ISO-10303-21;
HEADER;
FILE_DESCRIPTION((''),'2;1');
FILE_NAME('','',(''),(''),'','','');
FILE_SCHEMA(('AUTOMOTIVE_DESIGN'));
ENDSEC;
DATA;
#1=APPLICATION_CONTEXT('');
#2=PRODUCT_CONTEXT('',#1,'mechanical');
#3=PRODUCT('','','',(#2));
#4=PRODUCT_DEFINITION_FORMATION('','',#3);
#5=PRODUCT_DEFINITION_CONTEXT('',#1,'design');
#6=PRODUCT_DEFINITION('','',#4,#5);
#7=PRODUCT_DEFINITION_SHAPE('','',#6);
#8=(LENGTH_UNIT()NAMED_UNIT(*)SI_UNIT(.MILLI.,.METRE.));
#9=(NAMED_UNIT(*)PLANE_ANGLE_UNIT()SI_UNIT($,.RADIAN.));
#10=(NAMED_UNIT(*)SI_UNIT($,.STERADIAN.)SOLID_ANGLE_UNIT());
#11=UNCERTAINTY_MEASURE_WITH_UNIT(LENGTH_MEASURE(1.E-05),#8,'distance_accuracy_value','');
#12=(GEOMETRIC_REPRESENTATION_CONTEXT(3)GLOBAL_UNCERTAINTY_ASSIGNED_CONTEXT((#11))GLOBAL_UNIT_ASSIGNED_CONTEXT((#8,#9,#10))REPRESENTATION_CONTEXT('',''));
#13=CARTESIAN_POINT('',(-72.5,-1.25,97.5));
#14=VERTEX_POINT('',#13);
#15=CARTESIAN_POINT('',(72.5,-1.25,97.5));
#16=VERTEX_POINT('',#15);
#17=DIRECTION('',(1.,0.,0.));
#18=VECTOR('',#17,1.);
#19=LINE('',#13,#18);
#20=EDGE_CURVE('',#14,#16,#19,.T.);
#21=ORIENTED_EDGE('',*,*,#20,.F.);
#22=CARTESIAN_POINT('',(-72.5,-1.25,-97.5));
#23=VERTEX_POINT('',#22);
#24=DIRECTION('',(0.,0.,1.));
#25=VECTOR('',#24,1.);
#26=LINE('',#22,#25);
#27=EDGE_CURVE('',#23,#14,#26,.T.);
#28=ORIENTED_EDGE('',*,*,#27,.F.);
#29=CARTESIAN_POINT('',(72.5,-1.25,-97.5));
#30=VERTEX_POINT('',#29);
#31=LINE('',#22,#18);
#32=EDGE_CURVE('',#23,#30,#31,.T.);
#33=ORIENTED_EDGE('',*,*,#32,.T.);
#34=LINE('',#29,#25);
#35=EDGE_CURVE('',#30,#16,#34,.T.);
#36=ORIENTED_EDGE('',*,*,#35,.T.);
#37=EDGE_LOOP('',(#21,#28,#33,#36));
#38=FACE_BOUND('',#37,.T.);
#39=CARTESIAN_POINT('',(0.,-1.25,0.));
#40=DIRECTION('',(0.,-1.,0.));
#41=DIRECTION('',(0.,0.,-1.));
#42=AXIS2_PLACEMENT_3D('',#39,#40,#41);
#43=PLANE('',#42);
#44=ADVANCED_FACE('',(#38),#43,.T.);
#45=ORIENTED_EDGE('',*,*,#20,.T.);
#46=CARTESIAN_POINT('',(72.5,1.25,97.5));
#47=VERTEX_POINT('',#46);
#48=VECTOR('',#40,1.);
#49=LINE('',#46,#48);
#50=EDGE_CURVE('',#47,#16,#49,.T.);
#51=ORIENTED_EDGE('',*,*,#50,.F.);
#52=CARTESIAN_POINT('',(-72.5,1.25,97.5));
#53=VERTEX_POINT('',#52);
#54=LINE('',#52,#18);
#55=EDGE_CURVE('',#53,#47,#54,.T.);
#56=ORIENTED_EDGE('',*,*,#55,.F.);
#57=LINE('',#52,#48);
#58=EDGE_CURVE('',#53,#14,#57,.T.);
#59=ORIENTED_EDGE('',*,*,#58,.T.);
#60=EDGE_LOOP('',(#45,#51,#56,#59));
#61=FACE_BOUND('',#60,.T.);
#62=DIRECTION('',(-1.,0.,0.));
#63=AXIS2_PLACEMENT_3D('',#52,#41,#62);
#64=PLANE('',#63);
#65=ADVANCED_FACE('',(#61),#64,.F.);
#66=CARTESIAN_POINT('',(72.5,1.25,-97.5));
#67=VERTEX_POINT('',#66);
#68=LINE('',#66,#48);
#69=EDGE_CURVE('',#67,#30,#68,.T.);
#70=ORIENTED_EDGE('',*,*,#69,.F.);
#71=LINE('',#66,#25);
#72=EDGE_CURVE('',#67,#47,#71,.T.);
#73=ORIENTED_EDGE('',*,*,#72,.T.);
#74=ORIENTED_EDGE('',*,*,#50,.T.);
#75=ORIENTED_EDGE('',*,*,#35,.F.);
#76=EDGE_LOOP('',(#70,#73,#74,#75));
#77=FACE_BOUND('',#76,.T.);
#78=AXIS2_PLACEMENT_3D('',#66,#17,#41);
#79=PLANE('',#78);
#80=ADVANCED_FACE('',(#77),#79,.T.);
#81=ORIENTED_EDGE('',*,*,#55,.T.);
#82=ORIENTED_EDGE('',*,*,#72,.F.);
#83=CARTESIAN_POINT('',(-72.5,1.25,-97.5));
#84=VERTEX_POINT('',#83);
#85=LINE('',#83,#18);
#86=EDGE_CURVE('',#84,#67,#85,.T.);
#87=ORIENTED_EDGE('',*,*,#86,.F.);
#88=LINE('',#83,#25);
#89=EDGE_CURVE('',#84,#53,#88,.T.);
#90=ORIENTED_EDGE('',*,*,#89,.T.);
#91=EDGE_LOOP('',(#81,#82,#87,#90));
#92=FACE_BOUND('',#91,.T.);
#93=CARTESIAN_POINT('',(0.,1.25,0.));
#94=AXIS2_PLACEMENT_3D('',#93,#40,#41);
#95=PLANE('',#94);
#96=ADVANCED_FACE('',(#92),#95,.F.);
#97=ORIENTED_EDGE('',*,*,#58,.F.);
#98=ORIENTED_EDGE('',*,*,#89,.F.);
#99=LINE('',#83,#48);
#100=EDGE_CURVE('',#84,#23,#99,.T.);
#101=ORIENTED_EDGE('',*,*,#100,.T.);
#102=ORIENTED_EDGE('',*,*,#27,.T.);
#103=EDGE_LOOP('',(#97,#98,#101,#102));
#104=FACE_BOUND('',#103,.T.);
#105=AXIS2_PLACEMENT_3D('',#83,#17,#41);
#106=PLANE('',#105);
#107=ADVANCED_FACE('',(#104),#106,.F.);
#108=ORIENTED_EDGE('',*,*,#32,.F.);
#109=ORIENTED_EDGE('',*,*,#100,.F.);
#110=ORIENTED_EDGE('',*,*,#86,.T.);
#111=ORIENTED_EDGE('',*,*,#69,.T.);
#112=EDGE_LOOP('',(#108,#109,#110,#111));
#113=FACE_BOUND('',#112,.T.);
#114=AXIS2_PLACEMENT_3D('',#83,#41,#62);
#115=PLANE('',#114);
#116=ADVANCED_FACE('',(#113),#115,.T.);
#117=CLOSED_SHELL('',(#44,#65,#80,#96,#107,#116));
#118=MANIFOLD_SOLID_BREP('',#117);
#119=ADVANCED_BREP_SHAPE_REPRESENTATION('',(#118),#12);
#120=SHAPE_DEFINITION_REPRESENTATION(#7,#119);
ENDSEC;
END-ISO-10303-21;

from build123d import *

# Parameters (mm, degrees)
SKETCH2_W           = 145
SKETCH2_H           = 195
BOSS_EXTRUDE1_DEPTH = 1.25


with BuildPart() as part:
    # Sketch2 → Boss-Extrude1 (new, symmetric)
    with BuildSketch(Plane(origin=(0, 0, 0), x_dir=(1, 0, 0), z_dir=(0, 1, 0))):
        Rectangle(SKETCH2_W, SKETCH2_H)
    extrude(amount=BOSS_EXTRUDE1_DEPTH, both=True)


solid = part.part
